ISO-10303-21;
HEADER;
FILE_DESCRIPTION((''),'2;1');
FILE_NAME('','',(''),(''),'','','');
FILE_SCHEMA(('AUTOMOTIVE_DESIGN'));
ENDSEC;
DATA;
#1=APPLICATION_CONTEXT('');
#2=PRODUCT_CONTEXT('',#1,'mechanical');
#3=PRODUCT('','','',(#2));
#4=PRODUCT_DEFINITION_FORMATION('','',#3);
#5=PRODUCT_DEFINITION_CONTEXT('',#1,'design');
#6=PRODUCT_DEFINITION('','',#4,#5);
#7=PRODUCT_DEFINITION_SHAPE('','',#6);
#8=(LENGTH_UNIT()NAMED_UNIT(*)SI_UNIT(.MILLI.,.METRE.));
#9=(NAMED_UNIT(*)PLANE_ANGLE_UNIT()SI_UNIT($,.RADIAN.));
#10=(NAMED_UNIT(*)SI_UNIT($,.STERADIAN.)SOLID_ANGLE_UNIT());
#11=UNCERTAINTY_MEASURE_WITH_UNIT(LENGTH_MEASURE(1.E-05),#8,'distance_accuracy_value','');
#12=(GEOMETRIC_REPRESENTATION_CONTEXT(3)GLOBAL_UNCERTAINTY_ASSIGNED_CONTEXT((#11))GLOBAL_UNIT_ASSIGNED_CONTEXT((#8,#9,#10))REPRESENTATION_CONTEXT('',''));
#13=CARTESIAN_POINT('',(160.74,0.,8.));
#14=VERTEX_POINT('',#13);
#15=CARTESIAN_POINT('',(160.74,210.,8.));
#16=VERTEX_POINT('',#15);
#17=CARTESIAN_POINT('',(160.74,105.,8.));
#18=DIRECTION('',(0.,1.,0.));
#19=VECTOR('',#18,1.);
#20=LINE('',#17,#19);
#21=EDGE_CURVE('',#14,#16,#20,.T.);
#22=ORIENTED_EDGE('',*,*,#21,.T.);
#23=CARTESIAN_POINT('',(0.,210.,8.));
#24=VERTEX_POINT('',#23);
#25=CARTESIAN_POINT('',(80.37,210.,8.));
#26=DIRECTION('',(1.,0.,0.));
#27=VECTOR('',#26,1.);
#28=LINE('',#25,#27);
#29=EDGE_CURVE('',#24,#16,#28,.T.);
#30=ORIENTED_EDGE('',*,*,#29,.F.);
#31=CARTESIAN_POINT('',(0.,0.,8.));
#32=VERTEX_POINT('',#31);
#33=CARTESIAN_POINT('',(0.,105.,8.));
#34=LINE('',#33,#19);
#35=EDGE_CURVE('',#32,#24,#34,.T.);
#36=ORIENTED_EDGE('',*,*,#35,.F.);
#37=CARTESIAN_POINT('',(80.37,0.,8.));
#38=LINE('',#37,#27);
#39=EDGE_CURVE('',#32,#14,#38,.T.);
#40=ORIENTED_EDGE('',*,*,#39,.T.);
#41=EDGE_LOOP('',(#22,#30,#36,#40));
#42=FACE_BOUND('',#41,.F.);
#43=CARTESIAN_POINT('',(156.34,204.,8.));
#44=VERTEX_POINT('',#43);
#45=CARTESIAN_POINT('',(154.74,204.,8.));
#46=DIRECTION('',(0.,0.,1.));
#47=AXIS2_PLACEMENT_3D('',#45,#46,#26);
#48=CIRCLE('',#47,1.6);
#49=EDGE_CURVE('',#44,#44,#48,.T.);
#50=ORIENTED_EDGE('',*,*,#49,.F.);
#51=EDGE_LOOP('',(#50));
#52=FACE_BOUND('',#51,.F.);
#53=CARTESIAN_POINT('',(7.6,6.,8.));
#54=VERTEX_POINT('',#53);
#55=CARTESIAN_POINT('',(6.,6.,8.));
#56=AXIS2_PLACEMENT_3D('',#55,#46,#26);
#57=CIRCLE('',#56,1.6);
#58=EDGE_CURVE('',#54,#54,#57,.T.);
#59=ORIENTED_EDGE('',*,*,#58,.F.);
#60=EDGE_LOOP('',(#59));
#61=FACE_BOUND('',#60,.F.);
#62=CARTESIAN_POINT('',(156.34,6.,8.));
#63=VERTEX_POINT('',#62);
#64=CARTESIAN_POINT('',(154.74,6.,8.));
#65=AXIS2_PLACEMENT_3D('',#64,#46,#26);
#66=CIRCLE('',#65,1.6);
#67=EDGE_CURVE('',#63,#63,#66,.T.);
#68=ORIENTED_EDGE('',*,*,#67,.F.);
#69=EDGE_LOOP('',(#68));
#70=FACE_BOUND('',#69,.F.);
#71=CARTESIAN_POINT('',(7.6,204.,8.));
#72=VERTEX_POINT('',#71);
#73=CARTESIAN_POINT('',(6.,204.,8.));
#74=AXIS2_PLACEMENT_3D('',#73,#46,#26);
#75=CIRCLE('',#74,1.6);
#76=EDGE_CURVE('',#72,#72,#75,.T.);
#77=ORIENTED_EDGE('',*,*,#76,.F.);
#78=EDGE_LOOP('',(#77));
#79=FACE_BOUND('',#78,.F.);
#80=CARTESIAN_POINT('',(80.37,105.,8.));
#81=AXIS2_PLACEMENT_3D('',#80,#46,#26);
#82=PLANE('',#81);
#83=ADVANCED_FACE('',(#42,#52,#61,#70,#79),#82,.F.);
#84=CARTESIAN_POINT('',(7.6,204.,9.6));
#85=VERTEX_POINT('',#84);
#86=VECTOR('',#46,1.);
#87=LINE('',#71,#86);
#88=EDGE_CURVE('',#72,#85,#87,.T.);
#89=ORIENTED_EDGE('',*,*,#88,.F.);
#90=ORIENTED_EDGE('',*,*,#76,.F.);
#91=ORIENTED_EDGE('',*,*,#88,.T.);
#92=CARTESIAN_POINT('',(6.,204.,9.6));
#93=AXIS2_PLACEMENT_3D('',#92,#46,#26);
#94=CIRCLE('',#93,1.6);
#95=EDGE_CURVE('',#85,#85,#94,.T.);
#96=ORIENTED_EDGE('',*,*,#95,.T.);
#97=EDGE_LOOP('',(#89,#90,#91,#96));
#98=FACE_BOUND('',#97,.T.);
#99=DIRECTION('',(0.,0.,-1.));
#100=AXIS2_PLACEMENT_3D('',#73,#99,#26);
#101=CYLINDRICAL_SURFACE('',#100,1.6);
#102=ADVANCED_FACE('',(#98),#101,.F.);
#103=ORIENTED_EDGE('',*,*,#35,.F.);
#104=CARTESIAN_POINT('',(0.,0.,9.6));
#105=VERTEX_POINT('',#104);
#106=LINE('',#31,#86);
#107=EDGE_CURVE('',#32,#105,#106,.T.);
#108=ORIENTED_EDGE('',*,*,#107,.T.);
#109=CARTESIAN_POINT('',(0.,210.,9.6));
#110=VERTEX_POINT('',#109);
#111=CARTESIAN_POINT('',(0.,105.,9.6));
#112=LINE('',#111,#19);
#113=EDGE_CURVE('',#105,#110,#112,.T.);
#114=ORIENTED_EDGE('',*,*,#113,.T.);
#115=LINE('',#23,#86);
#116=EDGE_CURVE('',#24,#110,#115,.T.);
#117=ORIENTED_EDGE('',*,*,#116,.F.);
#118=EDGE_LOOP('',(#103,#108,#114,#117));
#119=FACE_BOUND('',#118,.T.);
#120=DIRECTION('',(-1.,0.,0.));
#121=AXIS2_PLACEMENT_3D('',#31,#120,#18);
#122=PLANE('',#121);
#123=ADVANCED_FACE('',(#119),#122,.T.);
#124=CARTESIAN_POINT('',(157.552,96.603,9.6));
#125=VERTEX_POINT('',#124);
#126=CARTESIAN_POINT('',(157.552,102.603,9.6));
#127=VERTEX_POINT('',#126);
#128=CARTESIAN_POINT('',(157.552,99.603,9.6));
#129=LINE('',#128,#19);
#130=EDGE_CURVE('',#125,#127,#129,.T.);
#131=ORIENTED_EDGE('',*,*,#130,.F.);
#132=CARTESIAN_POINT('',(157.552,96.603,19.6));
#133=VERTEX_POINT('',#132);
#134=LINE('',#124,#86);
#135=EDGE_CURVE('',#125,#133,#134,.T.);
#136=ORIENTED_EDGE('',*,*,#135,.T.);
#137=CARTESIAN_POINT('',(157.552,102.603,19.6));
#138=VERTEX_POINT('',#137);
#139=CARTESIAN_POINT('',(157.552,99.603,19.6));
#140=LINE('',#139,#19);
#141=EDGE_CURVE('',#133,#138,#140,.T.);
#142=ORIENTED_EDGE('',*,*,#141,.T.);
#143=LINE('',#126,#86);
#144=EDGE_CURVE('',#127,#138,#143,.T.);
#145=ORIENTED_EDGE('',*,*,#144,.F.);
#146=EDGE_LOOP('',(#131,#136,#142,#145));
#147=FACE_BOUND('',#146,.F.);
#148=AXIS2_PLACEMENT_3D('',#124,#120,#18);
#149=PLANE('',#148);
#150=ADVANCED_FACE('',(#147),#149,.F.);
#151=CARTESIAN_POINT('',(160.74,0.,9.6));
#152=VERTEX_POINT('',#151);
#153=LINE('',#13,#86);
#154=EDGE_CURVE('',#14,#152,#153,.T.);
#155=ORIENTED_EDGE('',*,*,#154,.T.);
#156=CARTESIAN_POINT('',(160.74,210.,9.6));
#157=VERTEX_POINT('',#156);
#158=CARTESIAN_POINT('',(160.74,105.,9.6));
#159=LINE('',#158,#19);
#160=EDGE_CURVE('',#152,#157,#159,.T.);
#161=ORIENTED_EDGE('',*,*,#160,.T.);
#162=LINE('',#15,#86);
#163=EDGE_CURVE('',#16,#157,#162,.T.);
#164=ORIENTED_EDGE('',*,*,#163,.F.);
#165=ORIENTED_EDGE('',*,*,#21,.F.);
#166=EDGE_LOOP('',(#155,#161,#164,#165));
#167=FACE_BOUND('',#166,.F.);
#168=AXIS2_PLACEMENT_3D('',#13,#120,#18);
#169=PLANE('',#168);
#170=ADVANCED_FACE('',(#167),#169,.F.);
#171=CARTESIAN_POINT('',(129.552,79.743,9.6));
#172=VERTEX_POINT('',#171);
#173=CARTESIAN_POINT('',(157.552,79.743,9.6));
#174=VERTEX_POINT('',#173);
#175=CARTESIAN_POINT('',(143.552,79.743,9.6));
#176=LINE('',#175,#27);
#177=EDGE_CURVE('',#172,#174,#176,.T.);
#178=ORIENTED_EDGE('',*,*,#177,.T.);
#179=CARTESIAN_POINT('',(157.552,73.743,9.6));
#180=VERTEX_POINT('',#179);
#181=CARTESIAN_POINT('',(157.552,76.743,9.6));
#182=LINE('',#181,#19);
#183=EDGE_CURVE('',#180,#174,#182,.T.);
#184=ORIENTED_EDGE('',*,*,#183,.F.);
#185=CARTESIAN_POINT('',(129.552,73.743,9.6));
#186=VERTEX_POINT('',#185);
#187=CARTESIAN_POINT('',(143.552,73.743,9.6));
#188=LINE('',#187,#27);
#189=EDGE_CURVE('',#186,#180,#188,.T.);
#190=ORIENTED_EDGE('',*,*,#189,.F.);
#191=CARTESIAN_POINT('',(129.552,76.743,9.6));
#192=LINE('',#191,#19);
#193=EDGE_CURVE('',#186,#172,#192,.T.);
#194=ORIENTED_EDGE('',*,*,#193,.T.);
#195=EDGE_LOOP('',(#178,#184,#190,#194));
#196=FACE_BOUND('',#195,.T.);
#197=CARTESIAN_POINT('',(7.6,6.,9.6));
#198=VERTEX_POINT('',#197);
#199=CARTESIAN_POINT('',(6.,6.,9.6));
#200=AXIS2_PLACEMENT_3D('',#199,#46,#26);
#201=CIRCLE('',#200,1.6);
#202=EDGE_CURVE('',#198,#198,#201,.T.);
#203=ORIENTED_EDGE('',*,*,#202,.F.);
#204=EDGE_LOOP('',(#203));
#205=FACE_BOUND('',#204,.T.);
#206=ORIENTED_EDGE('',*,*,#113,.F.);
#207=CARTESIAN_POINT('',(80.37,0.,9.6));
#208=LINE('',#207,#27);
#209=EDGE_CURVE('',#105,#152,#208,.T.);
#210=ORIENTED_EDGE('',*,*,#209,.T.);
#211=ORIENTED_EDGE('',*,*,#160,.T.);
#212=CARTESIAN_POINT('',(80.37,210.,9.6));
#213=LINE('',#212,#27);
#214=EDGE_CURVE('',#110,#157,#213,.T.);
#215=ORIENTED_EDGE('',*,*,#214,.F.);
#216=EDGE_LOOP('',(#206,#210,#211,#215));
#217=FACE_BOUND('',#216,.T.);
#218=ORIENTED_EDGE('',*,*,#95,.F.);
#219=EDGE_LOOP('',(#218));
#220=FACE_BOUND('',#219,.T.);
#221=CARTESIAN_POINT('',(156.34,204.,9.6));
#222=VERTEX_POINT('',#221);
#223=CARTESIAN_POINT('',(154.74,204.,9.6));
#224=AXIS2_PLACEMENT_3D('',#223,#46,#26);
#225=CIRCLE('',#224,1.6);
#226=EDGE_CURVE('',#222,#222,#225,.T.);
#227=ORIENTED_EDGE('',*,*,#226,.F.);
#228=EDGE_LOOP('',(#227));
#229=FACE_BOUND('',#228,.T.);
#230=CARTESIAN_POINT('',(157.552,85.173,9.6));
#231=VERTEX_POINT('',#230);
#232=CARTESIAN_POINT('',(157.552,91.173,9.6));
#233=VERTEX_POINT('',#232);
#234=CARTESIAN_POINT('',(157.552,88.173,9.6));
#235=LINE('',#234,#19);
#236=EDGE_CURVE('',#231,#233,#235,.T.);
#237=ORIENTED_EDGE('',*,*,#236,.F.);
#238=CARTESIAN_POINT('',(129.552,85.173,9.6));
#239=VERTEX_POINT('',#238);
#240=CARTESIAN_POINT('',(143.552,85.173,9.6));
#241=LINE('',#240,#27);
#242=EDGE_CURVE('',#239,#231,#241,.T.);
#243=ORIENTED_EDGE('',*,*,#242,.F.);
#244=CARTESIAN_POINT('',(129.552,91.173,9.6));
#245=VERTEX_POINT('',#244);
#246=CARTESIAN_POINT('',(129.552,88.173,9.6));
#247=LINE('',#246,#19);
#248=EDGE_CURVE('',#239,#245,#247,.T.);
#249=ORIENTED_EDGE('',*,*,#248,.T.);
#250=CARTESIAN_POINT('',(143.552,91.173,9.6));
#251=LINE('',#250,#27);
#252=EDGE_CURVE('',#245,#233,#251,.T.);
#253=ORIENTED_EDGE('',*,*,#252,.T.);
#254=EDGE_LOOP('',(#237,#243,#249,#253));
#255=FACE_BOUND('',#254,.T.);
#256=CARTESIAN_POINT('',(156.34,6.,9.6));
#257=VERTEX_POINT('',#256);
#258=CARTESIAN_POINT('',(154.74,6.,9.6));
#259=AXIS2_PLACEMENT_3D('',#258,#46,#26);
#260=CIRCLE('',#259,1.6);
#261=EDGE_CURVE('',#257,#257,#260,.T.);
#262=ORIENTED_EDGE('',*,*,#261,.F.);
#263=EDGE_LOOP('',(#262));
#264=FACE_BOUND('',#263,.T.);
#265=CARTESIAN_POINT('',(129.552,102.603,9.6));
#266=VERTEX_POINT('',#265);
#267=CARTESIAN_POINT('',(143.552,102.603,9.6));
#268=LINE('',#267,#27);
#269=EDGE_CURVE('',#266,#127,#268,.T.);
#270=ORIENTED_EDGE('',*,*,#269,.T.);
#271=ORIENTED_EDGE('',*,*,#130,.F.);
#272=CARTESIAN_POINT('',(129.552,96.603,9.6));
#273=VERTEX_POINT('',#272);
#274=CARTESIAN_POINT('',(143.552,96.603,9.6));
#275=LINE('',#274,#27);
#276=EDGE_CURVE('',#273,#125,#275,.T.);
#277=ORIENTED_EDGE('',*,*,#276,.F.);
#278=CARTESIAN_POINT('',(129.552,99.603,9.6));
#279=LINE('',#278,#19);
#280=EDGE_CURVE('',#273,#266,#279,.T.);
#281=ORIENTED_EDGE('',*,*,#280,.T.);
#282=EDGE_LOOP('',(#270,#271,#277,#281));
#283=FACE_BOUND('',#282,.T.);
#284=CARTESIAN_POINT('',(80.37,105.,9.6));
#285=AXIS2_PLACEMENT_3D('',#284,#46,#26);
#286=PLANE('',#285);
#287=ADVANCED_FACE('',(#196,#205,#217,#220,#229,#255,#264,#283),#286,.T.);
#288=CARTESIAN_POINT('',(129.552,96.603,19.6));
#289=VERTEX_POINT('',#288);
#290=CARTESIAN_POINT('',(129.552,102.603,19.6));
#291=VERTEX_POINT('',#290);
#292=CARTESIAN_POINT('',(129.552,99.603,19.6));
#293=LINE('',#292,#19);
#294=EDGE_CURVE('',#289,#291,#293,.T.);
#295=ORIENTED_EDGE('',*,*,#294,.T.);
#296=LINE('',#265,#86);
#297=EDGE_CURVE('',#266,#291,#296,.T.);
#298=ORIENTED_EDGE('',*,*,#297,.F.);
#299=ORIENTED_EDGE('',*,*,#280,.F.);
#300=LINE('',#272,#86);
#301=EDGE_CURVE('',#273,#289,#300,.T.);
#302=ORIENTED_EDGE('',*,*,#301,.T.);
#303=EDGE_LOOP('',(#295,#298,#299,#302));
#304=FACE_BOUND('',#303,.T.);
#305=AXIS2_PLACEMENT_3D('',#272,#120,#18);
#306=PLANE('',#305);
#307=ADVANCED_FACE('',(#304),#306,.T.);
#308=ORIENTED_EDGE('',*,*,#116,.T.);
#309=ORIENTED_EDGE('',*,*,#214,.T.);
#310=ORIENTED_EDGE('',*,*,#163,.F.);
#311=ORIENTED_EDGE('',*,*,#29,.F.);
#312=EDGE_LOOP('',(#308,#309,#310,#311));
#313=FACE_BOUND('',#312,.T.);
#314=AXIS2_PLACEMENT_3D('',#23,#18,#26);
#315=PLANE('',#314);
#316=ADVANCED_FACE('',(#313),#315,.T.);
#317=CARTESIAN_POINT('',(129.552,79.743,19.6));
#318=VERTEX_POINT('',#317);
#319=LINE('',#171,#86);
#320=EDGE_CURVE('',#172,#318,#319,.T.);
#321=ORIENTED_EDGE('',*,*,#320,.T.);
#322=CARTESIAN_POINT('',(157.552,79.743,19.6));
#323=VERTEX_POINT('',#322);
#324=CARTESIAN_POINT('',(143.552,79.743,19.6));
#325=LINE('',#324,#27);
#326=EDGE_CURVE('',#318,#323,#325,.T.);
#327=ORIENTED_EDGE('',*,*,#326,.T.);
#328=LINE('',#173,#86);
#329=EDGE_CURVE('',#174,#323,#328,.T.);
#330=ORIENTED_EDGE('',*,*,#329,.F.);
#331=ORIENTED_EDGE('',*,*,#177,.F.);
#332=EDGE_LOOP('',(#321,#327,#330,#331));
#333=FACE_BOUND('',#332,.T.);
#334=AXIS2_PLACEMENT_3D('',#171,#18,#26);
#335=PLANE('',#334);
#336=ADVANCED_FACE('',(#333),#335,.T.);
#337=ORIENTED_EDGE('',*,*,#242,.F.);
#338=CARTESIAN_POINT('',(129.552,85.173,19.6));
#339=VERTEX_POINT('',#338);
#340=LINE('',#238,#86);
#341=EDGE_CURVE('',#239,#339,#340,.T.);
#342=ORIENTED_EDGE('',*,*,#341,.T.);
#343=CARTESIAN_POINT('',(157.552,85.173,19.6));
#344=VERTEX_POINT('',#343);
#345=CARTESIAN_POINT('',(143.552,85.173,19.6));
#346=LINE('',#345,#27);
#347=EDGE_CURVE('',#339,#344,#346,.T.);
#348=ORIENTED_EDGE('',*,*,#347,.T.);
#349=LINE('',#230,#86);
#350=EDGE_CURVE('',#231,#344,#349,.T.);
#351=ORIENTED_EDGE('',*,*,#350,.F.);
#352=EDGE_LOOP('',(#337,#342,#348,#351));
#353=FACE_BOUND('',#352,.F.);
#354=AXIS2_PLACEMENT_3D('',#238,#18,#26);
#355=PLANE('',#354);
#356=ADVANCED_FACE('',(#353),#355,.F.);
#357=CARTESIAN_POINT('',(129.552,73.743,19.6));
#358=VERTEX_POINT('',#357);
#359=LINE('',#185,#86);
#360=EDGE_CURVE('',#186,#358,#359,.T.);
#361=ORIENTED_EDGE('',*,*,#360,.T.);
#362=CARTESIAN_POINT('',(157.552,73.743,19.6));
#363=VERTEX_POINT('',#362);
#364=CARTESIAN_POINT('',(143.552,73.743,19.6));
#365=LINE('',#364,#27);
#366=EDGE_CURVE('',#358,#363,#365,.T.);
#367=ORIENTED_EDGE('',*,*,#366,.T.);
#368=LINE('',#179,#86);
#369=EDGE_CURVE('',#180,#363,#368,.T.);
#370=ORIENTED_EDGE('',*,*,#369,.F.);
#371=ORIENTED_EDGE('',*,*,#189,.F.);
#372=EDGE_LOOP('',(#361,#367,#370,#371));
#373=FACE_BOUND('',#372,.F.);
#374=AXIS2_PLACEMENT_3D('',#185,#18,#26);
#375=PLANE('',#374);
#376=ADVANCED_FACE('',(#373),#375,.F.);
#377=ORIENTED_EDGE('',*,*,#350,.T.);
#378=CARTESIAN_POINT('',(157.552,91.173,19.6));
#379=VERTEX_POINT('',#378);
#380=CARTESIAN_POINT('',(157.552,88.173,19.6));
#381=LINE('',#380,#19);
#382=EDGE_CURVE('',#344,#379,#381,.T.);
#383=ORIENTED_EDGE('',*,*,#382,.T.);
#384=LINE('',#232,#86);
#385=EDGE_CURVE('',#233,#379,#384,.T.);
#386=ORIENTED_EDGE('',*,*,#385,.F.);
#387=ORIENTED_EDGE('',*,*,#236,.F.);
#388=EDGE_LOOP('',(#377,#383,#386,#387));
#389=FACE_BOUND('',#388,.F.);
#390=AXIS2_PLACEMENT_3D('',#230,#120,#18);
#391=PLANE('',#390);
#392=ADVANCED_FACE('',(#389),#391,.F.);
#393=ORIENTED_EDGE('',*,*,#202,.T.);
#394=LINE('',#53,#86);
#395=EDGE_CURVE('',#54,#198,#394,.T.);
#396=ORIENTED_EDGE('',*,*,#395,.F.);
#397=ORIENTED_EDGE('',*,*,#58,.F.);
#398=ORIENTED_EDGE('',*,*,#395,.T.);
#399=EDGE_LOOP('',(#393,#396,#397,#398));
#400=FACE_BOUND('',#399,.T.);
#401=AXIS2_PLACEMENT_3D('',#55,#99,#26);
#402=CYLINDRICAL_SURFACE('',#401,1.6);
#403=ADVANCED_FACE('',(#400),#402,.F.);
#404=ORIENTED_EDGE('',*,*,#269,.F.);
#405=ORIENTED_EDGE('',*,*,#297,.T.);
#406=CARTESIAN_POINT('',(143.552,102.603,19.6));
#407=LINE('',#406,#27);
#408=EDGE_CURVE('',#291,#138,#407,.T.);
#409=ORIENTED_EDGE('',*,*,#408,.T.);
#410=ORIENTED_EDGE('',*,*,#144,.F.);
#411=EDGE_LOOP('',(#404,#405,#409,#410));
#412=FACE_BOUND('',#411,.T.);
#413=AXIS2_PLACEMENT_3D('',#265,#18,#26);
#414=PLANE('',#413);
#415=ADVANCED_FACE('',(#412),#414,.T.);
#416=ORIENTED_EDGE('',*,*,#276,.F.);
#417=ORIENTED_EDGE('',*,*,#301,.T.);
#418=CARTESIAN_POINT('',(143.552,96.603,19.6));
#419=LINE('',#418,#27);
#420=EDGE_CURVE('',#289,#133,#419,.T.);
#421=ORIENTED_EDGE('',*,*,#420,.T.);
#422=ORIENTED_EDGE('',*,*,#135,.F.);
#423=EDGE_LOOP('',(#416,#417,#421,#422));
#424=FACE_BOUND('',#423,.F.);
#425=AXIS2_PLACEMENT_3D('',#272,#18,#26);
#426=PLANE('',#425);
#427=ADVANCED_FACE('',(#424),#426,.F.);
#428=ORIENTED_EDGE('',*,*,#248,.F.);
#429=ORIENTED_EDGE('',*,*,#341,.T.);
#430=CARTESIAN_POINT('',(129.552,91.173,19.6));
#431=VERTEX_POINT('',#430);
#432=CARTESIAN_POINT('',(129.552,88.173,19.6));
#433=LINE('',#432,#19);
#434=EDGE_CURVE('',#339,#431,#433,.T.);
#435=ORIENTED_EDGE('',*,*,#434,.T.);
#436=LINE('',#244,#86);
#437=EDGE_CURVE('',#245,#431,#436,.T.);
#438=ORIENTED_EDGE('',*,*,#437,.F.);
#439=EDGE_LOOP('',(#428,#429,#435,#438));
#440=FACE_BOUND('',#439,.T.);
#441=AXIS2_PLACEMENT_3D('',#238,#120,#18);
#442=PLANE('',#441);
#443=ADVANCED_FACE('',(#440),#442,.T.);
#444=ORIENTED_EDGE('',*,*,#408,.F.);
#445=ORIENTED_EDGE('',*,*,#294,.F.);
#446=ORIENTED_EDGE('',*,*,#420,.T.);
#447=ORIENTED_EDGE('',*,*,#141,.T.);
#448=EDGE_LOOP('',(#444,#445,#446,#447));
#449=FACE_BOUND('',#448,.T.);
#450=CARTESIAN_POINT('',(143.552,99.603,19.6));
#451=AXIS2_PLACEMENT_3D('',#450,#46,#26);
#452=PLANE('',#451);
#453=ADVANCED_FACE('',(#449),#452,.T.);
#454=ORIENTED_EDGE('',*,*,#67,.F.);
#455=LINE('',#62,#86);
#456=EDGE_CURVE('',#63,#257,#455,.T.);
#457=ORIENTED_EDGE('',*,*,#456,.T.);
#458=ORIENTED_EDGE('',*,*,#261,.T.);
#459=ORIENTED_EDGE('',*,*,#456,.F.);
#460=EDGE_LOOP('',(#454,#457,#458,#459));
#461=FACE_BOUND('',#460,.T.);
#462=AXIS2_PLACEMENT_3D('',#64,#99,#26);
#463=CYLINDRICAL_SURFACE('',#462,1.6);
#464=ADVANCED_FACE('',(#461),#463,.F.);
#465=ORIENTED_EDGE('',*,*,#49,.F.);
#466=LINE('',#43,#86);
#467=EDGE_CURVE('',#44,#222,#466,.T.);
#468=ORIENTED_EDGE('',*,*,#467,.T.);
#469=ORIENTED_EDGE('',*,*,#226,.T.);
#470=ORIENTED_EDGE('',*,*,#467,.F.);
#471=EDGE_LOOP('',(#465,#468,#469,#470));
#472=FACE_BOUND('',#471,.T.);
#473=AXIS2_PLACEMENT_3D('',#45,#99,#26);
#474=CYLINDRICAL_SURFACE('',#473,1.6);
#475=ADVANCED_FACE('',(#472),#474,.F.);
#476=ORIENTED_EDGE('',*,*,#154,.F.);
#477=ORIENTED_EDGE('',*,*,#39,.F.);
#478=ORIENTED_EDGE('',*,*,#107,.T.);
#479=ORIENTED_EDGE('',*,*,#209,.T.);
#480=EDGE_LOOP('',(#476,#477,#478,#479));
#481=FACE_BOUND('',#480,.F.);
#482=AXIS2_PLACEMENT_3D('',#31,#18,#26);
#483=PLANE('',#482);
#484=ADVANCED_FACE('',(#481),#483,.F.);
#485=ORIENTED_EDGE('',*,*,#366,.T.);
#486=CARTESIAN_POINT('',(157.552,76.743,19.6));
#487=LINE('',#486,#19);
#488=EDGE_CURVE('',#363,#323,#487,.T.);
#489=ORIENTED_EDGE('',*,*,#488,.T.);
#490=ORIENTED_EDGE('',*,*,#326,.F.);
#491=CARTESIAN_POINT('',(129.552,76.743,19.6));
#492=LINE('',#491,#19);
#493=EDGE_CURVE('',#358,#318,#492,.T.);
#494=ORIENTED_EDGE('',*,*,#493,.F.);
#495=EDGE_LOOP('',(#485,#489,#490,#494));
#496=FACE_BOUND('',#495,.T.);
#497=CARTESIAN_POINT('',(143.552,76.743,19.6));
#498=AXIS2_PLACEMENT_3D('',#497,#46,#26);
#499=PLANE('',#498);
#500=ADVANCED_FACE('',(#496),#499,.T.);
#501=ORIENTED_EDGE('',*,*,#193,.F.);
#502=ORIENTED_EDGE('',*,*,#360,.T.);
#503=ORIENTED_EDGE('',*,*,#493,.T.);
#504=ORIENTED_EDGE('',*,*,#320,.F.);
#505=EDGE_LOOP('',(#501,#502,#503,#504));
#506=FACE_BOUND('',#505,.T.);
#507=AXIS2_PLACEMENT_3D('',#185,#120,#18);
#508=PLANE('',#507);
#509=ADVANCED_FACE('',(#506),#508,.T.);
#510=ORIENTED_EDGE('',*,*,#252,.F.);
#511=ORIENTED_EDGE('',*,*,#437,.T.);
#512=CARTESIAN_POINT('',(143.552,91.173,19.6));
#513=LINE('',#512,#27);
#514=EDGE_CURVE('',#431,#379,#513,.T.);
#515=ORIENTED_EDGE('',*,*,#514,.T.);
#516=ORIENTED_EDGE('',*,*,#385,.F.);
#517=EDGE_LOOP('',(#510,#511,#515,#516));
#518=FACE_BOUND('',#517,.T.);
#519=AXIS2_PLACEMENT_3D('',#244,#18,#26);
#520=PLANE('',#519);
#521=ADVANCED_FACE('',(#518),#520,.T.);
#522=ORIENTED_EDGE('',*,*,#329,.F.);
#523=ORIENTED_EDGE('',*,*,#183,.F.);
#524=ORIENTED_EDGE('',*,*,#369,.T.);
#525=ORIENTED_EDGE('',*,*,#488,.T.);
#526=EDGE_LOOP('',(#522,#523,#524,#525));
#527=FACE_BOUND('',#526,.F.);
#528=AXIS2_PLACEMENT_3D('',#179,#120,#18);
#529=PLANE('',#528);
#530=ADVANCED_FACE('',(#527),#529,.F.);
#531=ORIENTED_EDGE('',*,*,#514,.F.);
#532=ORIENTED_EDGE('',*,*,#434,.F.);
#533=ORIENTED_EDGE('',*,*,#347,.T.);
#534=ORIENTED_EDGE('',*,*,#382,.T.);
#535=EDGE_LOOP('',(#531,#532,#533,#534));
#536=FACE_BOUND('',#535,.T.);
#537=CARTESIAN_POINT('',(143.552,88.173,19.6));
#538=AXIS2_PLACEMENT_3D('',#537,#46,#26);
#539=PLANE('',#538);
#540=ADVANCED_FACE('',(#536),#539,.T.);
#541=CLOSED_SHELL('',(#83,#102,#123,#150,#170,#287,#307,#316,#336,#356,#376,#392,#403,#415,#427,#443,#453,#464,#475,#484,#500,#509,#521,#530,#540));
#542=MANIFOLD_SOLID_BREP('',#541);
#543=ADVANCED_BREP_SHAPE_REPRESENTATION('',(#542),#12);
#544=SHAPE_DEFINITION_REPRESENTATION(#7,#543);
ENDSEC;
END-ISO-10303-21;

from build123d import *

# Parameters (mm, degrees)
SKETCH002_W      = 160.74
SKETCH002_H      = 210
SKETCH002_R      = 1.6
EXTRUDE002_DEPTH = 1.6
SKETCH007_W      = 28
SKETCH007_H      = 6
EXTRUDE007_DEPTH = 10


with BuildPart() as extrude002:
    # Sketch002 → Extrude002 (new body)
    with BuildSketch(Plane.XY.offset(8)):
        with Locations((80.37, 105)):
            Rectangle(SKETCH002_W, SKETCH002_H)
        with Locations((6, 204)):
            Circle(SKETCH002_R, mode=Mode.SUBTRACT)
        with Locations((154.74, 204)):
            Circle(SKETCH002_R, mode=Mode.SUBTRACT)
        with Locations((154.74, 6)):
            Circle(SKETCH002_R, mode=Mode.SUBTRACT)
        with Locations((6, 6)):
            Circle(SKETCH002_R, mode=Mode.SUBTRACT)
    extrude(amount=EXTRUDE002_DEPTH)


with BuildPart() as cl:
    # Sketch007 (on Face10 of Extrude002) → Extrude007 (new body)
    with BuildSketch(Plane.XY.offset(9.6)):
        with Locations((143.552, 99.603)):
            Rectangle(SKETCH007_W, SKETCH007_H)
        with Locations((143.552, 88.173)):
            Rectangle(SKETCH007_W, SKETCH007_H)
        with Locations((143.552, 76.743)):
            Rectangle(SKETCH007_W, SKETCH007_H)
    extrude(amount=EXTRUDE007_DEPTH)

    # Fusion002: union Extrude002
    add(extrude002.part)


solid = cl.part
